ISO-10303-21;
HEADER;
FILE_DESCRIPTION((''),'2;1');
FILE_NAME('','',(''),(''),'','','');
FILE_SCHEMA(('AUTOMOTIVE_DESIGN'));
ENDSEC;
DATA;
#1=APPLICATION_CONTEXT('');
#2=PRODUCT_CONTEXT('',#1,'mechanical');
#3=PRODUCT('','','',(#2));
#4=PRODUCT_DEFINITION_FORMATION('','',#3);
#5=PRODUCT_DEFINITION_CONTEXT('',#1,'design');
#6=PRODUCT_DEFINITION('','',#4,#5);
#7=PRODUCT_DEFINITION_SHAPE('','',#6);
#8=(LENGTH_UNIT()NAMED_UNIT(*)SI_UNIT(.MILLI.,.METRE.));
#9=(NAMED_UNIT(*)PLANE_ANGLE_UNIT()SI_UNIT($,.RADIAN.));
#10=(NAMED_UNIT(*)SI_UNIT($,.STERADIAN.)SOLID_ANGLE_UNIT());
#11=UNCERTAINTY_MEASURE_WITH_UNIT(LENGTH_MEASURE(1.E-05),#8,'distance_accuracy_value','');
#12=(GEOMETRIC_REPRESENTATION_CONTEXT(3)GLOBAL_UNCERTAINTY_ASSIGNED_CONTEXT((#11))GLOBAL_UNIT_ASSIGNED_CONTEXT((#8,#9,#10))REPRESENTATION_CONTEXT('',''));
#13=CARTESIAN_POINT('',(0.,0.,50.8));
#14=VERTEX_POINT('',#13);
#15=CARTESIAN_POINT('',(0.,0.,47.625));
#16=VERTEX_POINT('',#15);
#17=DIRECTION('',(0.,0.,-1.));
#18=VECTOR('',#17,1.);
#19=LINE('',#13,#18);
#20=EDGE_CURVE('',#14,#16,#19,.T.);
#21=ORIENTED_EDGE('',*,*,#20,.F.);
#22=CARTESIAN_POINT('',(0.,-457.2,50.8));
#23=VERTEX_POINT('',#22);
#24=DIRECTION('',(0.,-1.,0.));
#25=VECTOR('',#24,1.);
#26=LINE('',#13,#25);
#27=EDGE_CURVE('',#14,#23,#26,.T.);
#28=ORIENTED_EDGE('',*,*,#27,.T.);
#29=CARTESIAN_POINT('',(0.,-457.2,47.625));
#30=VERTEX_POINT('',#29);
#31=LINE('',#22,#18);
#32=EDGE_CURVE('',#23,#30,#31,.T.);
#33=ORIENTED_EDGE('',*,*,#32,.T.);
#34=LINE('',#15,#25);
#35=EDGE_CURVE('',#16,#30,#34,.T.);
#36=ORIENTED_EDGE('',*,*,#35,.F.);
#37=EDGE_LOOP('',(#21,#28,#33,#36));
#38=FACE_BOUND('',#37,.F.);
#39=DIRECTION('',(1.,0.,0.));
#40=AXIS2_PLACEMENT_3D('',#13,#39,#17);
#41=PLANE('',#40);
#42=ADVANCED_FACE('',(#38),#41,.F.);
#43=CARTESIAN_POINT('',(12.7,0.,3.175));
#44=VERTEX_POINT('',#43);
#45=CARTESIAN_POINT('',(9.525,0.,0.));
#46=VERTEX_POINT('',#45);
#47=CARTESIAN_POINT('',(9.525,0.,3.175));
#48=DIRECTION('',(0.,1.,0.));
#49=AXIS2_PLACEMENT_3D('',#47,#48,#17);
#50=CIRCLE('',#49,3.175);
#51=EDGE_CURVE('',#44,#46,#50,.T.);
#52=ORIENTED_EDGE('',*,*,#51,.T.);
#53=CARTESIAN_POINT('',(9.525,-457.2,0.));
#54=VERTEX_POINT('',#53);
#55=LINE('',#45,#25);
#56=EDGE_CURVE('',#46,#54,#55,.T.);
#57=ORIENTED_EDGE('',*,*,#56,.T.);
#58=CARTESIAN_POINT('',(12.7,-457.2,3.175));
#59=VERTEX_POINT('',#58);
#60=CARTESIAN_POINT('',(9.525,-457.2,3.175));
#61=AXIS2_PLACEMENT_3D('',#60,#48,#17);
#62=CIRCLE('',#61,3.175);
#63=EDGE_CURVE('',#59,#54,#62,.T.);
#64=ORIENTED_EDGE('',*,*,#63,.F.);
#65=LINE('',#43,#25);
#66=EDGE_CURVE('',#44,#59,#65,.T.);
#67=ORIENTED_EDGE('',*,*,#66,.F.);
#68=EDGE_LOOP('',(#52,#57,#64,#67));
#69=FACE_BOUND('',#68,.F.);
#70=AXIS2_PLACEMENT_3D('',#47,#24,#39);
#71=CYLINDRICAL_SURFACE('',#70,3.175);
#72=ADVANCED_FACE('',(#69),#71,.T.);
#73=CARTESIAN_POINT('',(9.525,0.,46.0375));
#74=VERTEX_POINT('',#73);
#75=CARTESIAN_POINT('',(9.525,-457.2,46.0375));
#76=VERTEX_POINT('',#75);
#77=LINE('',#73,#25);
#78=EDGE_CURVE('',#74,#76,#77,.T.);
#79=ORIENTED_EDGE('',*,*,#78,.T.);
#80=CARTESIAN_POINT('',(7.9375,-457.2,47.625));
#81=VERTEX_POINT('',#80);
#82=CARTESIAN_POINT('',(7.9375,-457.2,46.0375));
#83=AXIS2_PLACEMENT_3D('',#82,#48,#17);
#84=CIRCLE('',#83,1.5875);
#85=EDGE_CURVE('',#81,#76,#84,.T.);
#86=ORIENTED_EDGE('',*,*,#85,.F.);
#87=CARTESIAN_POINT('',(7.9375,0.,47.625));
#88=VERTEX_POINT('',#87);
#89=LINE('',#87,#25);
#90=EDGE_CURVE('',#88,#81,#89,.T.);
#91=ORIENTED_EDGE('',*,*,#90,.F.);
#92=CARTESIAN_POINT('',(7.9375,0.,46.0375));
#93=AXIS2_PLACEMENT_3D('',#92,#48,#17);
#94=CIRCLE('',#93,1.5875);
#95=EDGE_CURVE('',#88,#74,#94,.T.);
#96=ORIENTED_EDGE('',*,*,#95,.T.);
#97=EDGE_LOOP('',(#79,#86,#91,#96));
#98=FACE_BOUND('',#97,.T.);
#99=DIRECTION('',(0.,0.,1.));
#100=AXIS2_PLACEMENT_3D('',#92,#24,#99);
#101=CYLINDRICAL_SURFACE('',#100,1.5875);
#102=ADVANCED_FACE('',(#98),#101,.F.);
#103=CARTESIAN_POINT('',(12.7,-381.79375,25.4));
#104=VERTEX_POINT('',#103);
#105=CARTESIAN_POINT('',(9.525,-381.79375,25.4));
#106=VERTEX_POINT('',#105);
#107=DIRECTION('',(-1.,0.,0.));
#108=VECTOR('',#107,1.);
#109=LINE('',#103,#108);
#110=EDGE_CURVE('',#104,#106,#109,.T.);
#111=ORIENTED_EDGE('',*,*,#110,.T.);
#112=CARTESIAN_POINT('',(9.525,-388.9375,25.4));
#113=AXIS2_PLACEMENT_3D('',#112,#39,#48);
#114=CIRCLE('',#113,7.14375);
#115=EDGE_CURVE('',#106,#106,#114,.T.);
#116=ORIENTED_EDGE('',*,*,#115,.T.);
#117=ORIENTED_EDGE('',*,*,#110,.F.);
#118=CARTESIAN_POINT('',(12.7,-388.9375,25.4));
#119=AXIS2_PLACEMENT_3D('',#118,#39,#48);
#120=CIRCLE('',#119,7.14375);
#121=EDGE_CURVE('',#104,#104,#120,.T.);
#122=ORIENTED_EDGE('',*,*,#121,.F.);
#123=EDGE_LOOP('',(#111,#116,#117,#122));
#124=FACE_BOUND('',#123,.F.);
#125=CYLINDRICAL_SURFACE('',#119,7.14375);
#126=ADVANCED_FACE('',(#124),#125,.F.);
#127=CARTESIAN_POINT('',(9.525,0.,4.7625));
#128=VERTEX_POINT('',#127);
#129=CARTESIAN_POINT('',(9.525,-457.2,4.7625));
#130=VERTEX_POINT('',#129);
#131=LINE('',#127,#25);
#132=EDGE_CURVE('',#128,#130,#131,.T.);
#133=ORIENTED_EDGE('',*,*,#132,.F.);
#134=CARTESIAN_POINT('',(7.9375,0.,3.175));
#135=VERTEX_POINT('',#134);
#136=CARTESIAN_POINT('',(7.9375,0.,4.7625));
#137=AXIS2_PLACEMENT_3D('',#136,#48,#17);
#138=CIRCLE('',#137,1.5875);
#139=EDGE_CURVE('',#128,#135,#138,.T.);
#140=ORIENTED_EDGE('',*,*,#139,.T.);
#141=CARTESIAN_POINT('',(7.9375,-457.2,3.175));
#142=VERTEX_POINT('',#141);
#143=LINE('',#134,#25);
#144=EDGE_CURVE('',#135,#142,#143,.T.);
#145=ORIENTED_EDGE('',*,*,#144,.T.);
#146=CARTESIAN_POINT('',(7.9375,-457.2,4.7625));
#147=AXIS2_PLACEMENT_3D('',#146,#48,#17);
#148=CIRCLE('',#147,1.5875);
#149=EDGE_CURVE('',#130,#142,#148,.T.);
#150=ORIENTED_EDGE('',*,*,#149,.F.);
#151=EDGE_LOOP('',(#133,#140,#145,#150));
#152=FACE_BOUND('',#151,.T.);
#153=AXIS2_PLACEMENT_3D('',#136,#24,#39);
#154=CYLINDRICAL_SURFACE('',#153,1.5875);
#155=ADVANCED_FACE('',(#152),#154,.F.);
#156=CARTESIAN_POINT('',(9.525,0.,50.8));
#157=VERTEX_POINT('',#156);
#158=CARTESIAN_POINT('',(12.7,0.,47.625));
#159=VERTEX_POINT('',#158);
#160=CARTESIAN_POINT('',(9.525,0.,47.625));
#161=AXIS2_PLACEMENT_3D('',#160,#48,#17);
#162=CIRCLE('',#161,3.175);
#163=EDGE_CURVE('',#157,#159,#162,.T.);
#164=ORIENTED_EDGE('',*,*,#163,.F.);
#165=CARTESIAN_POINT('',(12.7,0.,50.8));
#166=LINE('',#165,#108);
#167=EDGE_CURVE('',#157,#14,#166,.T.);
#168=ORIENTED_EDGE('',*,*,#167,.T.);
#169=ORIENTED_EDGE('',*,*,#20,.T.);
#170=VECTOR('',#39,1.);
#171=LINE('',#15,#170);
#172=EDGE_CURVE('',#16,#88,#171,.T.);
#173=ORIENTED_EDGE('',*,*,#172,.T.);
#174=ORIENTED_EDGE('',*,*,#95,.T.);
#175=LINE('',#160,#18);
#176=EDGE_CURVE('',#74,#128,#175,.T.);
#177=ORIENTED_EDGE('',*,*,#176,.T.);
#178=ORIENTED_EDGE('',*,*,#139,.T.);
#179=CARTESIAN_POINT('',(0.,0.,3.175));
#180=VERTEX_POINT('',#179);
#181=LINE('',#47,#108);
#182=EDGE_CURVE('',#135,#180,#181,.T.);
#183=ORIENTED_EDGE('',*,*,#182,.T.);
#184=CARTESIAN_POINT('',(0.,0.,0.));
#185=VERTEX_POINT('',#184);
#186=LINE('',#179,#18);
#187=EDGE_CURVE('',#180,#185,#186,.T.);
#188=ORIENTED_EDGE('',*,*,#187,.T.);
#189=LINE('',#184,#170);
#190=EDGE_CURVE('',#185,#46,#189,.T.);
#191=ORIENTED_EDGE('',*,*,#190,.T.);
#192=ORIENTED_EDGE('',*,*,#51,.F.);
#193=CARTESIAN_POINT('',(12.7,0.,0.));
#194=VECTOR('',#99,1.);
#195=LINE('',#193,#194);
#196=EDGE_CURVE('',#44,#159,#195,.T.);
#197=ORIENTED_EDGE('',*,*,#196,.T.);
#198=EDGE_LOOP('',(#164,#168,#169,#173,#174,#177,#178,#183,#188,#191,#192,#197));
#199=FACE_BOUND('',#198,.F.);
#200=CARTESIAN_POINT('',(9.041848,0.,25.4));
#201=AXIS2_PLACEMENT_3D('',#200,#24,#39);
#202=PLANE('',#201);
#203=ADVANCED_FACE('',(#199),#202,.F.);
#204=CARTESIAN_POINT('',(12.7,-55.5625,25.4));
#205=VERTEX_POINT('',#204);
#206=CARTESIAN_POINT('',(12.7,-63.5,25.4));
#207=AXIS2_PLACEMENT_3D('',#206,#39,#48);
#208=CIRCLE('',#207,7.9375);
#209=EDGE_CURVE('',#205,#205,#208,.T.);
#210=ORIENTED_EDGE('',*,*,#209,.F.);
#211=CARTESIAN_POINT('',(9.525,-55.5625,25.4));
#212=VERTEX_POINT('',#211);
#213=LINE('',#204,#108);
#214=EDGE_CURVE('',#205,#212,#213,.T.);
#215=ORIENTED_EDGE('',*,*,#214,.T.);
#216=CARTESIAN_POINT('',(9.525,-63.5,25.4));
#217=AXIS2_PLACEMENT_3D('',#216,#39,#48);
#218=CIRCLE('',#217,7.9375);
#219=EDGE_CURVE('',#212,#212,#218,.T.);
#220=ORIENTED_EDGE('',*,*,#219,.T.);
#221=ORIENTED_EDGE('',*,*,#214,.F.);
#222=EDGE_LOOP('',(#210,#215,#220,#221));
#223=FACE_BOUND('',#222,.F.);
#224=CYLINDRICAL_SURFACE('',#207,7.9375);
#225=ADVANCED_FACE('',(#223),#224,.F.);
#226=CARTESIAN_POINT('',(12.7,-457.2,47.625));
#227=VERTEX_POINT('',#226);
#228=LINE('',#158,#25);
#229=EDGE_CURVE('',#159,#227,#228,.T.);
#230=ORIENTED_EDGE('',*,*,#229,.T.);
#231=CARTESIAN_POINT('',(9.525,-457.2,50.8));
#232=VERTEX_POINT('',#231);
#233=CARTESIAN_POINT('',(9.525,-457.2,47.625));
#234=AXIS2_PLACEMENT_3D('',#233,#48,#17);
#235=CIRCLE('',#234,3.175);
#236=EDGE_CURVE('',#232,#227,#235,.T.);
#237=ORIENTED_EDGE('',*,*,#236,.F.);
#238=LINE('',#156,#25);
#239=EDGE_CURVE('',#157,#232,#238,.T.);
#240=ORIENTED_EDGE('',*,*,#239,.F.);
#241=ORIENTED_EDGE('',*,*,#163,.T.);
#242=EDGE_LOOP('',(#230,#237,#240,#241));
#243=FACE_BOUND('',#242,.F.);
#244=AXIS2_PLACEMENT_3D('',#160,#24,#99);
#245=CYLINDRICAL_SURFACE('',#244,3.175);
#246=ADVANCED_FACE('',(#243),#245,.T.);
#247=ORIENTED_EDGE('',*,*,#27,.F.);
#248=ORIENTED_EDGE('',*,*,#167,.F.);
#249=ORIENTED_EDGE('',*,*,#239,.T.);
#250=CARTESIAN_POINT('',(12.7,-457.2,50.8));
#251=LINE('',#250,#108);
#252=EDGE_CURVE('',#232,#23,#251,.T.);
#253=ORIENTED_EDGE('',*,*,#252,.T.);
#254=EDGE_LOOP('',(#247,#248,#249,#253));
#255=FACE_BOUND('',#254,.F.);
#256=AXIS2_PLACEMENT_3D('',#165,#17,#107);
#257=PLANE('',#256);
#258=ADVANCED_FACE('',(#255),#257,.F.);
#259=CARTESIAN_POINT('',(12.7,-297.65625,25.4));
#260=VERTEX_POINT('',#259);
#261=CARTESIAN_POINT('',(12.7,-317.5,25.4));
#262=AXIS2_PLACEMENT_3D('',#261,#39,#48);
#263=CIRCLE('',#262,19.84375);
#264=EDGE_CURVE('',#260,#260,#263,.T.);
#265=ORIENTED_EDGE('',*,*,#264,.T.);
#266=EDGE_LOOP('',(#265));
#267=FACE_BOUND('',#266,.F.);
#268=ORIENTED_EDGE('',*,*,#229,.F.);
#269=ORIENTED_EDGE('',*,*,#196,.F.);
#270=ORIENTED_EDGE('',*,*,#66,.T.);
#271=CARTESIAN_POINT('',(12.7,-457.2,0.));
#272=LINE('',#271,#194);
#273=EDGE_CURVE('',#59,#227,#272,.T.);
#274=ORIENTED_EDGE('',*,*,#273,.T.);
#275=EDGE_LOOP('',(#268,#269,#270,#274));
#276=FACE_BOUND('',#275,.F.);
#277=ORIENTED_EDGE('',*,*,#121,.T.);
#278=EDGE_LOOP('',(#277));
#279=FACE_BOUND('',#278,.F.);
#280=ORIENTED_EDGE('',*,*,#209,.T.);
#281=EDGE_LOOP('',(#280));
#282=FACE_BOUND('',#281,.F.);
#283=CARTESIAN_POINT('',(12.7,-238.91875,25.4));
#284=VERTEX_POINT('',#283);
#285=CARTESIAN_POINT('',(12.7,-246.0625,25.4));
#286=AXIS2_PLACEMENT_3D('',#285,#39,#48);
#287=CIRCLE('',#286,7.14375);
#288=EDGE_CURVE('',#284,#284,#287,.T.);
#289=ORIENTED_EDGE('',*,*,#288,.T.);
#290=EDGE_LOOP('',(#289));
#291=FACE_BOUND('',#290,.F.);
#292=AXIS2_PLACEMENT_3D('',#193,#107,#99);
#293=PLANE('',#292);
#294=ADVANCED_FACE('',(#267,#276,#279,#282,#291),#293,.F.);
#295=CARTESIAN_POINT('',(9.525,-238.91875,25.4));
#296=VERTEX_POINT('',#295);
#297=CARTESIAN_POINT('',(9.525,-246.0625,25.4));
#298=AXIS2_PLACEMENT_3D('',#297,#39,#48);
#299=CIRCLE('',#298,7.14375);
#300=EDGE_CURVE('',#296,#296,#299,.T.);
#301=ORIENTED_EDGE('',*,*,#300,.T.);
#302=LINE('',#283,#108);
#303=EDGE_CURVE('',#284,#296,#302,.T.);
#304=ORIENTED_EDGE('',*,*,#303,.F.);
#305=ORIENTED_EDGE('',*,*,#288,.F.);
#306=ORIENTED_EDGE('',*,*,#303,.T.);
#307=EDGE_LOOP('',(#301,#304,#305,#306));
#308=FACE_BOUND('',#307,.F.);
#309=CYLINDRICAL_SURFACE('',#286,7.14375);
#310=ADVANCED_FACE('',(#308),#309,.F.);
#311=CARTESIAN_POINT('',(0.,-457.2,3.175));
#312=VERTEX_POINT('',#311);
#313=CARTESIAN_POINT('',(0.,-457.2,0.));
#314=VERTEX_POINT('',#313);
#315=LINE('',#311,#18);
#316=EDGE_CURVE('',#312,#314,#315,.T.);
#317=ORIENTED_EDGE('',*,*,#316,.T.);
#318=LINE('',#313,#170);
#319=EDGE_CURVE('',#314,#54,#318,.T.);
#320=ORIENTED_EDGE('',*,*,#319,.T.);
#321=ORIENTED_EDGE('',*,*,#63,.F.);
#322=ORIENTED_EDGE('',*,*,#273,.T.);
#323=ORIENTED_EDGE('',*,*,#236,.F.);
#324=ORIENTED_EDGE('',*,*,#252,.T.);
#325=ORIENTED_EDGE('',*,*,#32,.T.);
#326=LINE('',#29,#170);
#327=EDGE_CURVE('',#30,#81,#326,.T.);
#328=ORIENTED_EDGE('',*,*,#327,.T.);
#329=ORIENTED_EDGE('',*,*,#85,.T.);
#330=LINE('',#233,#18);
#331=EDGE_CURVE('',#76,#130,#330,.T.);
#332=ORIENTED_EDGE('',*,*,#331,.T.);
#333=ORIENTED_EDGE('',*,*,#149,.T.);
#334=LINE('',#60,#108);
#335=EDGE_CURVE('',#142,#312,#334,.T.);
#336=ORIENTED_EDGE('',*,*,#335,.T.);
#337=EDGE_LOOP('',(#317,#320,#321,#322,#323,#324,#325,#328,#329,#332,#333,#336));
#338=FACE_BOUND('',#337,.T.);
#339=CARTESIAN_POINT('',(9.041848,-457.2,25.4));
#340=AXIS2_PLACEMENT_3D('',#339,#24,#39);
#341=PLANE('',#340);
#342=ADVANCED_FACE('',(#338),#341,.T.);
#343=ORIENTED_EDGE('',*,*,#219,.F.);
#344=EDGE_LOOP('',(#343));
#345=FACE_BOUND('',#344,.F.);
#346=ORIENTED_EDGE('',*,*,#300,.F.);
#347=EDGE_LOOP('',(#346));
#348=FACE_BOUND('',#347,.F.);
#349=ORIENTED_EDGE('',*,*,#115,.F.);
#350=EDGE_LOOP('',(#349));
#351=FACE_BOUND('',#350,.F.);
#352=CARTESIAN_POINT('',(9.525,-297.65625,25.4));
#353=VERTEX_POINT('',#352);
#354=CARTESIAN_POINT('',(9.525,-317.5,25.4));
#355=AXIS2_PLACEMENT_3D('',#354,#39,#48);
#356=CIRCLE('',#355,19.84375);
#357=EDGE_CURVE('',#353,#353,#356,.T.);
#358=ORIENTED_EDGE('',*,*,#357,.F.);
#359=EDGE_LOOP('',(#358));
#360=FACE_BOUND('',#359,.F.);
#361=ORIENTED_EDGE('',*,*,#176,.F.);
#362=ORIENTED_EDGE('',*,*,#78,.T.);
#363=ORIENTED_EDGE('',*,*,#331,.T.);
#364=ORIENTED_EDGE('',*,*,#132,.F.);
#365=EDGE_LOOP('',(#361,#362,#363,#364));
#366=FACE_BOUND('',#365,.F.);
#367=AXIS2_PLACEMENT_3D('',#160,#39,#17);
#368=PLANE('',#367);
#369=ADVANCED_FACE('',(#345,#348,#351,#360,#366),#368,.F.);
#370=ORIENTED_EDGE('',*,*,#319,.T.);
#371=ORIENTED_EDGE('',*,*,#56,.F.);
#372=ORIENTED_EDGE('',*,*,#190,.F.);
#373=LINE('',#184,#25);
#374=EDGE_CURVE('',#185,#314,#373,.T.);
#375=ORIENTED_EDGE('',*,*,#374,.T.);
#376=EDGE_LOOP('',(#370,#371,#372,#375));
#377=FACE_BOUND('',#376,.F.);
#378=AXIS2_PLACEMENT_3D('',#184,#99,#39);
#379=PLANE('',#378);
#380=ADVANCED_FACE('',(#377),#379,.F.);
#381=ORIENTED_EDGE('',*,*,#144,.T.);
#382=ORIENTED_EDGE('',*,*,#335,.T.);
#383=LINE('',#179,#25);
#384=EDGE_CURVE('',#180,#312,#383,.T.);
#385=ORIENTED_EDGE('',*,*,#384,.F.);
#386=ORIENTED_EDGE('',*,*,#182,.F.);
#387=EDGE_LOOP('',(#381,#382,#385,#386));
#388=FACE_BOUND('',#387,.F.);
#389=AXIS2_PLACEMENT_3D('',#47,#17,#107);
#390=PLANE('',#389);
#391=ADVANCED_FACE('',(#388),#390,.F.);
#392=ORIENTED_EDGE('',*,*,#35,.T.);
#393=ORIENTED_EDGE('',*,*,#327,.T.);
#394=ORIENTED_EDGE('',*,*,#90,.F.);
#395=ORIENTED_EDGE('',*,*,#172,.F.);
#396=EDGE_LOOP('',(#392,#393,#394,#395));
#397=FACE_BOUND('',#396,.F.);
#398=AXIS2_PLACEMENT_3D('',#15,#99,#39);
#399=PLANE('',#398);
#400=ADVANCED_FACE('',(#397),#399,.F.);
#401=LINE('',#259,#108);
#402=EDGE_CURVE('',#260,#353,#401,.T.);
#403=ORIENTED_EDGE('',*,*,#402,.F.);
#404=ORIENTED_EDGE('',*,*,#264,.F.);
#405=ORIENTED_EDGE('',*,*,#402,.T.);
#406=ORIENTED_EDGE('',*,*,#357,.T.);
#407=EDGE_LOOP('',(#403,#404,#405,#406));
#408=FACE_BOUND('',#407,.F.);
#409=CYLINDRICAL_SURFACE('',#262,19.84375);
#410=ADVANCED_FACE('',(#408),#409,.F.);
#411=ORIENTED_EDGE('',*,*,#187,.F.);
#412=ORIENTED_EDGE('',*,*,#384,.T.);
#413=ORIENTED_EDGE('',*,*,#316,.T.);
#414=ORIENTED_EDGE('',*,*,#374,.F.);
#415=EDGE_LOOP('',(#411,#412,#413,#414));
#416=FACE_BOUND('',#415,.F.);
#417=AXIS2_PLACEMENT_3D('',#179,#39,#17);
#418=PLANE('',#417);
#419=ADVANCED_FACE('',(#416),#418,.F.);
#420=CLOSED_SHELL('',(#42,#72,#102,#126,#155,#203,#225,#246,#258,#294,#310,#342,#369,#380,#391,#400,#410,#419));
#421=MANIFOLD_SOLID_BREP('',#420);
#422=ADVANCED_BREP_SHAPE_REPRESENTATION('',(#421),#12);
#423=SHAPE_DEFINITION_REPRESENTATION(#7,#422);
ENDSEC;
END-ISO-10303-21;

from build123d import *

# Parameters (mm, degrees)
F1_DEPTH = 457.2
F2_R     = 1.5875
F3_R     = 3.175
F4_R     = 7.14375
F4_R_2   = 19.84375
F4_R_3   = 7.9375
F5_DEPTH = 25.4


with BuildPart() as f1:
    # F0 (on Front) → F1 (new body)
    with BuildSketch(Plane.XZ):
        Polygon((0, 3.175), (0, 0), (12.7, 0), (12.7, 50.8), (0, 50.8), (0, 47.625), (9.525, 47.625), (9.525, 3.175), align=None)
    extrude(amount=F1_DEPTH)

    # F2
    f2_edges = [f1.edges().sort_by_distance(p)[0] for p in [
        (9.525, -228.6, 3.175),
        (9.525, -228.6, 47.625),
    ]]
    fillet(f2_edges, radius=F2_R)

    # F3
    f3_edges = [f1.edges().sort_by_distance(p)[0] for p in [
        (12.7, -228.6, 0),
        (12.7, -228.6, 50.8),
    ]]
    fillet(f3_edges, radius=F3_R)

    # F4 (on face) → F5 (cut)
    with BuildSketch(Plane.YZ.offset(12.7)):
        with Locations((-388.9375, 25.4)):
            Circle(F4_R)
        with Locations((-246.0625, 25.4)):
            Circle(F4_R)
        with Locations((-317.5, 25.4)):
            Circle(F4_R_2)
        with Locations((-63.5, 25.4)):
            Circle(F4_R_3)
    extrude(amount=-F5_DEPTH, mode=Mode.SUBTRACT)


solid = f1.part
